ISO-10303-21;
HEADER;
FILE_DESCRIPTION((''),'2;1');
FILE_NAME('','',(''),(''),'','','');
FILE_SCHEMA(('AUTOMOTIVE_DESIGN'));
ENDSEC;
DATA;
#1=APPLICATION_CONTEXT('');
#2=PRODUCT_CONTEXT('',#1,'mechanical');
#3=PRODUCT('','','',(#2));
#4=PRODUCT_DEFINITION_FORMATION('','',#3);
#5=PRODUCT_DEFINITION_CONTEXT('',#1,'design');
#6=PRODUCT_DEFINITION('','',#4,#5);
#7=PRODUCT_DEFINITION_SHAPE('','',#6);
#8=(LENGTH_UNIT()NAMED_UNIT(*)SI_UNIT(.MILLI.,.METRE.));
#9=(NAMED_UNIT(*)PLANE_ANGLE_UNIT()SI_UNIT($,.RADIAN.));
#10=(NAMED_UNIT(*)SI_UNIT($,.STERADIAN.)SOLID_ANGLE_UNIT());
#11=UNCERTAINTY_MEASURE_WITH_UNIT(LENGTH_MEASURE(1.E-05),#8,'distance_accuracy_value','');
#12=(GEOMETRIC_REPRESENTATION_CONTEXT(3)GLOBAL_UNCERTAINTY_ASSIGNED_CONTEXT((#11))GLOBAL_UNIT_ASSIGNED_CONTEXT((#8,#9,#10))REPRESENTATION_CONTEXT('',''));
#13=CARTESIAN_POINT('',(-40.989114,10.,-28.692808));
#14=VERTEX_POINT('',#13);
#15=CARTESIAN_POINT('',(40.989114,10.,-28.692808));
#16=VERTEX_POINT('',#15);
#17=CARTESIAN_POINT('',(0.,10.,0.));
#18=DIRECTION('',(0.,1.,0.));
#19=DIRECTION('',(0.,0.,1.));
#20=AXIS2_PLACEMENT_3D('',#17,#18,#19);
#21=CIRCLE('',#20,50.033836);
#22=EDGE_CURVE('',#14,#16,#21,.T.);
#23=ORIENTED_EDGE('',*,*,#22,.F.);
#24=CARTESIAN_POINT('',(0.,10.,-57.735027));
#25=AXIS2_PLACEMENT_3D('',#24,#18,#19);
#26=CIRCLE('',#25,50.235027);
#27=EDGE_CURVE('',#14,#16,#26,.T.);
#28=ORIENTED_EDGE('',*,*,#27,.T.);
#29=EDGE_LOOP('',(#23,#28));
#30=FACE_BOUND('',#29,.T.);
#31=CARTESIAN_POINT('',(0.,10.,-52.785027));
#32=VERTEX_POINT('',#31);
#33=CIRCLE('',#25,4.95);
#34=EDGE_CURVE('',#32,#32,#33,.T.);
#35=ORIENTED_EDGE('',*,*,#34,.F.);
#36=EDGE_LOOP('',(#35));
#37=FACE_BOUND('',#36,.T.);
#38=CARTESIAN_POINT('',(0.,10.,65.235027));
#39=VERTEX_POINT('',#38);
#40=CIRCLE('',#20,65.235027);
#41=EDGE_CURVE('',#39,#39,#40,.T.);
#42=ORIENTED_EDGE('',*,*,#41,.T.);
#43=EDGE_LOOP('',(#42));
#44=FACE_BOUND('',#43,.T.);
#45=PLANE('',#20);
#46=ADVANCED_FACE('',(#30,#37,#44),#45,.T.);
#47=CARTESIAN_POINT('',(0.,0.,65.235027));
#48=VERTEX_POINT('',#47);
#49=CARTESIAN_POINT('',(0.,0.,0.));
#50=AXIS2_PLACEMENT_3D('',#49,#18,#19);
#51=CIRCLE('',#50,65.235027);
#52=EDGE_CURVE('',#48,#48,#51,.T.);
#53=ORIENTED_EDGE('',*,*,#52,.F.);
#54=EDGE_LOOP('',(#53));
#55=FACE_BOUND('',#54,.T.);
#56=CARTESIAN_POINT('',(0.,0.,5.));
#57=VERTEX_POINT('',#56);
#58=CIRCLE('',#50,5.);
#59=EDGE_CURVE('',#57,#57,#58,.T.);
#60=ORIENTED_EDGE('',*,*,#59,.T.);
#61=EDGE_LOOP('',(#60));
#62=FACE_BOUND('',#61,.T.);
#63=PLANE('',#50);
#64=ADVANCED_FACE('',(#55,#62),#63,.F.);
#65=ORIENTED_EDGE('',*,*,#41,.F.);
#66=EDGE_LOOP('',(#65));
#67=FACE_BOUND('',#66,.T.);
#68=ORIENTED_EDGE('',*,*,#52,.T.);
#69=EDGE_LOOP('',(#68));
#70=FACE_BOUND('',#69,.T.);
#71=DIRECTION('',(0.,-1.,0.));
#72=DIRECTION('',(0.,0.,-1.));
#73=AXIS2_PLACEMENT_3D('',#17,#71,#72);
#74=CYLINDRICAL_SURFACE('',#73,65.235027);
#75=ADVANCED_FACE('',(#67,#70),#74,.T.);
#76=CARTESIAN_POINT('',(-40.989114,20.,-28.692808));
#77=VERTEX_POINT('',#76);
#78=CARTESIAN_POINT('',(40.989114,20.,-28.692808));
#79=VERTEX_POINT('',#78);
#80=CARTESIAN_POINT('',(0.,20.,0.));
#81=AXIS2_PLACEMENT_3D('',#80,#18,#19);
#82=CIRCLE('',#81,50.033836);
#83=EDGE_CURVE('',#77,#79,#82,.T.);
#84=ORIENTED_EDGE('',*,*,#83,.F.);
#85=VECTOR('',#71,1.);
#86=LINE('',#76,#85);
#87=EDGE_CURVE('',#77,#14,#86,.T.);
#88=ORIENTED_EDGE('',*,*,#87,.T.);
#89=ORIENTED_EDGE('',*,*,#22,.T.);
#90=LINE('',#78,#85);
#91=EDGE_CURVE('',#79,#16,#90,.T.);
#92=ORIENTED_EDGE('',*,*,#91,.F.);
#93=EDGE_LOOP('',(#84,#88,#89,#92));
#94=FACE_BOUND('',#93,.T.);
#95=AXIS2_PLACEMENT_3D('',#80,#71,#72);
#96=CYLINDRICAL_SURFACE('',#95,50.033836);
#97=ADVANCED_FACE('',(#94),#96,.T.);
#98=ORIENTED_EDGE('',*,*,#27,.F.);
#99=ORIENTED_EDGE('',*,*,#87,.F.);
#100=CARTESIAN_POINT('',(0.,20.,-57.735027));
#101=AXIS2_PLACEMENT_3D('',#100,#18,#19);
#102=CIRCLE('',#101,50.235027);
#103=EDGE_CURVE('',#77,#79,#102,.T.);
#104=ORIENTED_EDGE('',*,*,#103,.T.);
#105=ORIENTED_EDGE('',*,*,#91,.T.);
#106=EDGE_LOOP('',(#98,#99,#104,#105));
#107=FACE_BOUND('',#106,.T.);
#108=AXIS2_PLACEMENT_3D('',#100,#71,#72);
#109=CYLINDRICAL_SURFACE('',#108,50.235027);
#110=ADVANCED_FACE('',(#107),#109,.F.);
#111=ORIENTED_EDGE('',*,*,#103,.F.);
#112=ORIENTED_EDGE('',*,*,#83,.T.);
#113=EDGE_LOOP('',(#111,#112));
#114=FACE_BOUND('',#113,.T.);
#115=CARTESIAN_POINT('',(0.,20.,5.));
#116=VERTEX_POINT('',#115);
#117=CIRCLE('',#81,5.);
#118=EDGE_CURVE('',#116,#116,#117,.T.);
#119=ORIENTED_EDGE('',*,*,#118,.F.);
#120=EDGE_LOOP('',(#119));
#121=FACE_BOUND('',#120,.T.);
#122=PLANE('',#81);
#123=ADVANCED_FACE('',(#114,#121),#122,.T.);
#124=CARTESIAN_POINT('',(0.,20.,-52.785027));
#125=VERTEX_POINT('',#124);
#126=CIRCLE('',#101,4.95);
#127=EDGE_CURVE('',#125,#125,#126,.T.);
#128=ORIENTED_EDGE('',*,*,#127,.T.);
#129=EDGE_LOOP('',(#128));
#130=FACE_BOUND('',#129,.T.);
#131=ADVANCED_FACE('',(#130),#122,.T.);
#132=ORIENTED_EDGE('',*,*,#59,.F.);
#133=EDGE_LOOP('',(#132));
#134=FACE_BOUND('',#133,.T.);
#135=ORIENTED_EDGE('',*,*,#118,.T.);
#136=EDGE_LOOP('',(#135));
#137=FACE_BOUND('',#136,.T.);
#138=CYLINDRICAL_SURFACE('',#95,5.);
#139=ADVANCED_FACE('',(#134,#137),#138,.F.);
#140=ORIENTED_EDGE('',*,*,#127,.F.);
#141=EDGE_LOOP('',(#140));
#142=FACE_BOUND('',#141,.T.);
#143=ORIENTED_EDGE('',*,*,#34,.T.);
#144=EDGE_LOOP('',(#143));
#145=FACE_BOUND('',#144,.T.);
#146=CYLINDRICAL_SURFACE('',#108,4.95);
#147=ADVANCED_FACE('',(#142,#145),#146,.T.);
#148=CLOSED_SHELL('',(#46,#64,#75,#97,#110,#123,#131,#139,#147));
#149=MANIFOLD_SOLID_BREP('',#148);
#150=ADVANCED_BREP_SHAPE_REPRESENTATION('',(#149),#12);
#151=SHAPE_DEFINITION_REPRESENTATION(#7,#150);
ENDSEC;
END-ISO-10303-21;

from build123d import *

# Parameters (mm, degrees)
SKETCH1_R           = 65.235026919
SKETCH1_R_2         = 4.95
BOSS_EXTRUDE4_DEPTH = 10
SKETCH1_5_R         = 4.95
SKETCH1_5_R_2       = 5
BOSS_EXTRUDE5_DEPTH = 20


with BuildPart() as part:
    # Sketch1 → Boss-Extrude4 (new body)
    with BuildSketch(Plane(origin=(0, 0, 0), x_dir=(1, 0, 0), z_dir=(0, 1, 0))):
        with Locations(Location((0, 0, 0), (0, 0, 270))):  # turned: the seam where the file's is
            Circle(SKETCH1_R)
        with Locations(Location((0, 57.735026919, 0), (0, 0, 270))):  # turned: the seam where the file's is
            Circle(SKETCH1_R_2, mode=Mode.SUBTRACT)
        with BuildLine():
            ThreePointArc((-40.989114073, 28.69280839), (0, -50.033835809), (40.989114073, 28.69280839))
            ThreePointArc((40.989114073, 28.69280839), (0, 7.5), (-40.989114073, 28.69280839))
        make_face(mode=Mode.SUBTRACT)
    extrude(amount=BOSS_EXTRUDE4_DEPTH)

    # Sketch1_5 → Boss-Extrude5 (add)
    with BuildSketch(Plane(origin=(0, 0, 0), x_dir=(1, 0, 0), z_dir=(0, 1, 0))):
        with Locations(Location((0, 57.735026919, 0), (0, 0, 270))):  # turned: the seam where the file's is
            Circle(SKETCH1_5_R)
        with BuildLine():
            ThreePointArc((-40.989114073, 28.69280839), (0, -50.033835809), (40.989114073, 28.69280839))
            ThreePointArc((40.989114073, 28.69280839), (0, 7.5), (-40.989114073, 28.69280839))
        make_face()
        with Locations(Location((0, 0, 0), (0, 0, 270))):  # turned: the seam where the file's is
            Circle(SKETCH1_5_R_2, mode=Mode.SUBTRACT)
    extrude(amount=BOSS_EXTRUDE5_DEPTH)


solid = part.part
